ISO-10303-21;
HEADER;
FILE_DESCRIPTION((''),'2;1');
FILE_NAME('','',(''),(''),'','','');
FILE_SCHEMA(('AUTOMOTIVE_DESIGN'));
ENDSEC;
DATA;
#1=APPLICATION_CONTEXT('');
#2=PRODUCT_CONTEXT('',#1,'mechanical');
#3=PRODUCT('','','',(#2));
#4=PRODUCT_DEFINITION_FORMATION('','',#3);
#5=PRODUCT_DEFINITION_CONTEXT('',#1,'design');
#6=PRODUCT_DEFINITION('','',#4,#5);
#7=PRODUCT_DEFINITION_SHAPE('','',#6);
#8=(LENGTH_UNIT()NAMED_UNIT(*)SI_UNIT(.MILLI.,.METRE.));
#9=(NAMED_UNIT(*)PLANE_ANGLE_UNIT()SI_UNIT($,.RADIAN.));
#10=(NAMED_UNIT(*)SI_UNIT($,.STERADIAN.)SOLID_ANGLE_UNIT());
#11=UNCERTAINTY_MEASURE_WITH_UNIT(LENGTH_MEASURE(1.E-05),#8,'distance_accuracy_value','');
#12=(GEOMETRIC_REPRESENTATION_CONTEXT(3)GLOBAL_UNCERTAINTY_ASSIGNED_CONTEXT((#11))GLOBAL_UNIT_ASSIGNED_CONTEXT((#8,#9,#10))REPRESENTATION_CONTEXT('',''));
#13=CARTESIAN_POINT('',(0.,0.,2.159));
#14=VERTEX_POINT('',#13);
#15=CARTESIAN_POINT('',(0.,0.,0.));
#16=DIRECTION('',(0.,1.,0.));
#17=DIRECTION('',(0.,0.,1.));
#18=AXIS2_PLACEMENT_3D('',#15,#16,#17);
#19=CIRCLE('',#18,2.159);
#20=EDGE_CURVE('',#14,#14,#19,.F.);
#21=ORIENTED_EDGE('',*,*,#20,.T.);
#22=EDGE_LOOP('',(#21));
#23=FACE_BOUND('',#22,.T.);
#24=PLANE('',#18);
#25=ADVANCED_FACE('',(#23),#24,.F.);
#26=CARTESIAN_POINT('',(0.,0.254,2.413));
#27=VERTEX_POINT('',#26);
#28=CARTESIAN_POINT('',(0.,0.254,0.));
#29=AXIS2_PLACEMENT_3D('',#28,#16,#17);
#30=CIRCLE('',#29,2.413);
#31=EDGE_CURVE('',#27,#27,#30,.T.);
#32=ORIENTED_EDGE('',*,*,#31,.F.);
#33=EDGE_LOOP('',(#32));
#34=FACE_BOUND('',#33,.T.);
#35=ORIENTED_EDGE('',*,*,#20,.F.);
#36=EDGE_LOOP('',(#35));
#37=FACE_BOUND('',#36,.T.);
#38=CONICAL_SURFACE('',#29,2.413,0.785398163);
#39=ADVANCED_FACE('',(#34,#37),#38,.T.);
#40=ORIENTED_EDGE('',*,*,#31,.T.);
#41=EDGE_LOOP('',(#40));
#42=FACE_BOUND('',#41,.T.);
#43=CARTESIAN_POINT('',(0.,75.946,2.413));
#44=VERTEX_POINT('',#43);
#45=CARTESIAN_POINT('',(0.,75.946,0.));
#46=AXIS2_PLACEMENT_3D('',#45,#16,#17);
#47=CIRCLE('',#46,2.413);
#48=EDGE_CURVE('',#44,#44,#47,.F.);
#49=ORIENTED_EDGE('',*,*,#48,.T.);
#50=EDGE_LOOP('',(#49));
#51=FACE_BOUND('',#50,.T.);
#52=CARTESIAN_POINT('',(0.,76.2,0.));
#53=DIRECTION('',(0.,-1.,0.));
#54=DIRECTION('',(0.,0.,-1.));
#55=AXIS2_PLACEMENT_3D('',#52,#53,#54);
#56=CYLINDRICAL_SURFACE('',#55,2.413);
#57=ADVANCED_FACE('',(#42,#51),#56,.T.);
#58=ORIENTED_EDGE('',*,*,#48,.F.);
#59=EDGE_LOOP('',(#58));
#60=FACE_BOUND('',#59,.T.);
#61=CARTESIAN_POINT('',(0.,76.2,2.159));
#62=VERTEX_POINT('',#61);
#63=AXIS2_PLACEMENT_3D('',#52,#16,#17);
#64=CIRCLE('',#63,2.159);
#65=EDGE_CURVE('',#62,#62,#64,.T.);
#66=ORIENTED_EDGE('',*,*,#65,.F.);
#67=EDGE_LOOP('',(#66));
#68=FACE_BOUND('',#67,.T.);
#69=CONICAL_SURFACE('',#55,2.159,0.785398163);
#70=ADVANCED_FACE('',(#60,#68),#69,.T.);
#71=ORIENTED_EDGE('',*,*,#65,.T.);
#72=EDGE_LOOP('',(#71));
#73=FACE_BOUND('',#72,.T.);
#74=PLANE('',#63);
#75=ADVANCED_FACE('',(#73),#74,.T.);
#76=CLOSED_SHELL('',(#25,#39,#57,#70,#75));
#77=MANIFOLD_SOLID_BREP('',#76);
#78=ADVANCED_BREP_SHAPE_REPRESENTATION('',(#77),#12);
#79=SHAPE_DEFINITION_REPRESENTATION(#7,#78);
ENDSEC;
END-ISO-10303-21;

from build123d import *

# Parameters (mm, degrees)
BOSS_EXTRUDE1_DEPTH = 76.2
CHAMFER1_SIZE       = 0.254


with BuildPart() as part:
    # Sketch1 → Boss-Extrude1 (new body)
    with BuildSketch(Plane(origin=(0, 0, 0), x_dir=(1, 0, 0), z_dir=(0, 1, 0))):
        with BuildLine():
            ThreePointArc((2.091397583, 1.203588447), (0, 2.413), (-2.091397583, 1.203588447))
            Line((-2.091397583, 1.203588447), (2.091397583, 1.203588447))
        make_face()
        with BuildLine():
            Line((2.091397583, 1.203588447), (-2.091397583, 1.203588447))
            ThreePointArc((-2.091397583, 1.203588447), (-0.622907149, -2.33121335), (2.413, 0))
            ThreePointArc((2.413, 0), (2.33121335, 0.622907149), (2.091397583, 1.203588447))
        make_face()
    extrude(amount=BOSS_EXTRUDE1_DEPTH)

    # Chamfer1
    chamfer1_edges = [part.edges().sort_by_distance(p)[0] for p in [
        (-2.091397583, 0, 1.203588447),
        (-2.091397583, 76.2, 1.203588447),
    ]]
    chamfer(chamfer1_edges, length=CHAMFER1_SIZE)


solid = part.part
